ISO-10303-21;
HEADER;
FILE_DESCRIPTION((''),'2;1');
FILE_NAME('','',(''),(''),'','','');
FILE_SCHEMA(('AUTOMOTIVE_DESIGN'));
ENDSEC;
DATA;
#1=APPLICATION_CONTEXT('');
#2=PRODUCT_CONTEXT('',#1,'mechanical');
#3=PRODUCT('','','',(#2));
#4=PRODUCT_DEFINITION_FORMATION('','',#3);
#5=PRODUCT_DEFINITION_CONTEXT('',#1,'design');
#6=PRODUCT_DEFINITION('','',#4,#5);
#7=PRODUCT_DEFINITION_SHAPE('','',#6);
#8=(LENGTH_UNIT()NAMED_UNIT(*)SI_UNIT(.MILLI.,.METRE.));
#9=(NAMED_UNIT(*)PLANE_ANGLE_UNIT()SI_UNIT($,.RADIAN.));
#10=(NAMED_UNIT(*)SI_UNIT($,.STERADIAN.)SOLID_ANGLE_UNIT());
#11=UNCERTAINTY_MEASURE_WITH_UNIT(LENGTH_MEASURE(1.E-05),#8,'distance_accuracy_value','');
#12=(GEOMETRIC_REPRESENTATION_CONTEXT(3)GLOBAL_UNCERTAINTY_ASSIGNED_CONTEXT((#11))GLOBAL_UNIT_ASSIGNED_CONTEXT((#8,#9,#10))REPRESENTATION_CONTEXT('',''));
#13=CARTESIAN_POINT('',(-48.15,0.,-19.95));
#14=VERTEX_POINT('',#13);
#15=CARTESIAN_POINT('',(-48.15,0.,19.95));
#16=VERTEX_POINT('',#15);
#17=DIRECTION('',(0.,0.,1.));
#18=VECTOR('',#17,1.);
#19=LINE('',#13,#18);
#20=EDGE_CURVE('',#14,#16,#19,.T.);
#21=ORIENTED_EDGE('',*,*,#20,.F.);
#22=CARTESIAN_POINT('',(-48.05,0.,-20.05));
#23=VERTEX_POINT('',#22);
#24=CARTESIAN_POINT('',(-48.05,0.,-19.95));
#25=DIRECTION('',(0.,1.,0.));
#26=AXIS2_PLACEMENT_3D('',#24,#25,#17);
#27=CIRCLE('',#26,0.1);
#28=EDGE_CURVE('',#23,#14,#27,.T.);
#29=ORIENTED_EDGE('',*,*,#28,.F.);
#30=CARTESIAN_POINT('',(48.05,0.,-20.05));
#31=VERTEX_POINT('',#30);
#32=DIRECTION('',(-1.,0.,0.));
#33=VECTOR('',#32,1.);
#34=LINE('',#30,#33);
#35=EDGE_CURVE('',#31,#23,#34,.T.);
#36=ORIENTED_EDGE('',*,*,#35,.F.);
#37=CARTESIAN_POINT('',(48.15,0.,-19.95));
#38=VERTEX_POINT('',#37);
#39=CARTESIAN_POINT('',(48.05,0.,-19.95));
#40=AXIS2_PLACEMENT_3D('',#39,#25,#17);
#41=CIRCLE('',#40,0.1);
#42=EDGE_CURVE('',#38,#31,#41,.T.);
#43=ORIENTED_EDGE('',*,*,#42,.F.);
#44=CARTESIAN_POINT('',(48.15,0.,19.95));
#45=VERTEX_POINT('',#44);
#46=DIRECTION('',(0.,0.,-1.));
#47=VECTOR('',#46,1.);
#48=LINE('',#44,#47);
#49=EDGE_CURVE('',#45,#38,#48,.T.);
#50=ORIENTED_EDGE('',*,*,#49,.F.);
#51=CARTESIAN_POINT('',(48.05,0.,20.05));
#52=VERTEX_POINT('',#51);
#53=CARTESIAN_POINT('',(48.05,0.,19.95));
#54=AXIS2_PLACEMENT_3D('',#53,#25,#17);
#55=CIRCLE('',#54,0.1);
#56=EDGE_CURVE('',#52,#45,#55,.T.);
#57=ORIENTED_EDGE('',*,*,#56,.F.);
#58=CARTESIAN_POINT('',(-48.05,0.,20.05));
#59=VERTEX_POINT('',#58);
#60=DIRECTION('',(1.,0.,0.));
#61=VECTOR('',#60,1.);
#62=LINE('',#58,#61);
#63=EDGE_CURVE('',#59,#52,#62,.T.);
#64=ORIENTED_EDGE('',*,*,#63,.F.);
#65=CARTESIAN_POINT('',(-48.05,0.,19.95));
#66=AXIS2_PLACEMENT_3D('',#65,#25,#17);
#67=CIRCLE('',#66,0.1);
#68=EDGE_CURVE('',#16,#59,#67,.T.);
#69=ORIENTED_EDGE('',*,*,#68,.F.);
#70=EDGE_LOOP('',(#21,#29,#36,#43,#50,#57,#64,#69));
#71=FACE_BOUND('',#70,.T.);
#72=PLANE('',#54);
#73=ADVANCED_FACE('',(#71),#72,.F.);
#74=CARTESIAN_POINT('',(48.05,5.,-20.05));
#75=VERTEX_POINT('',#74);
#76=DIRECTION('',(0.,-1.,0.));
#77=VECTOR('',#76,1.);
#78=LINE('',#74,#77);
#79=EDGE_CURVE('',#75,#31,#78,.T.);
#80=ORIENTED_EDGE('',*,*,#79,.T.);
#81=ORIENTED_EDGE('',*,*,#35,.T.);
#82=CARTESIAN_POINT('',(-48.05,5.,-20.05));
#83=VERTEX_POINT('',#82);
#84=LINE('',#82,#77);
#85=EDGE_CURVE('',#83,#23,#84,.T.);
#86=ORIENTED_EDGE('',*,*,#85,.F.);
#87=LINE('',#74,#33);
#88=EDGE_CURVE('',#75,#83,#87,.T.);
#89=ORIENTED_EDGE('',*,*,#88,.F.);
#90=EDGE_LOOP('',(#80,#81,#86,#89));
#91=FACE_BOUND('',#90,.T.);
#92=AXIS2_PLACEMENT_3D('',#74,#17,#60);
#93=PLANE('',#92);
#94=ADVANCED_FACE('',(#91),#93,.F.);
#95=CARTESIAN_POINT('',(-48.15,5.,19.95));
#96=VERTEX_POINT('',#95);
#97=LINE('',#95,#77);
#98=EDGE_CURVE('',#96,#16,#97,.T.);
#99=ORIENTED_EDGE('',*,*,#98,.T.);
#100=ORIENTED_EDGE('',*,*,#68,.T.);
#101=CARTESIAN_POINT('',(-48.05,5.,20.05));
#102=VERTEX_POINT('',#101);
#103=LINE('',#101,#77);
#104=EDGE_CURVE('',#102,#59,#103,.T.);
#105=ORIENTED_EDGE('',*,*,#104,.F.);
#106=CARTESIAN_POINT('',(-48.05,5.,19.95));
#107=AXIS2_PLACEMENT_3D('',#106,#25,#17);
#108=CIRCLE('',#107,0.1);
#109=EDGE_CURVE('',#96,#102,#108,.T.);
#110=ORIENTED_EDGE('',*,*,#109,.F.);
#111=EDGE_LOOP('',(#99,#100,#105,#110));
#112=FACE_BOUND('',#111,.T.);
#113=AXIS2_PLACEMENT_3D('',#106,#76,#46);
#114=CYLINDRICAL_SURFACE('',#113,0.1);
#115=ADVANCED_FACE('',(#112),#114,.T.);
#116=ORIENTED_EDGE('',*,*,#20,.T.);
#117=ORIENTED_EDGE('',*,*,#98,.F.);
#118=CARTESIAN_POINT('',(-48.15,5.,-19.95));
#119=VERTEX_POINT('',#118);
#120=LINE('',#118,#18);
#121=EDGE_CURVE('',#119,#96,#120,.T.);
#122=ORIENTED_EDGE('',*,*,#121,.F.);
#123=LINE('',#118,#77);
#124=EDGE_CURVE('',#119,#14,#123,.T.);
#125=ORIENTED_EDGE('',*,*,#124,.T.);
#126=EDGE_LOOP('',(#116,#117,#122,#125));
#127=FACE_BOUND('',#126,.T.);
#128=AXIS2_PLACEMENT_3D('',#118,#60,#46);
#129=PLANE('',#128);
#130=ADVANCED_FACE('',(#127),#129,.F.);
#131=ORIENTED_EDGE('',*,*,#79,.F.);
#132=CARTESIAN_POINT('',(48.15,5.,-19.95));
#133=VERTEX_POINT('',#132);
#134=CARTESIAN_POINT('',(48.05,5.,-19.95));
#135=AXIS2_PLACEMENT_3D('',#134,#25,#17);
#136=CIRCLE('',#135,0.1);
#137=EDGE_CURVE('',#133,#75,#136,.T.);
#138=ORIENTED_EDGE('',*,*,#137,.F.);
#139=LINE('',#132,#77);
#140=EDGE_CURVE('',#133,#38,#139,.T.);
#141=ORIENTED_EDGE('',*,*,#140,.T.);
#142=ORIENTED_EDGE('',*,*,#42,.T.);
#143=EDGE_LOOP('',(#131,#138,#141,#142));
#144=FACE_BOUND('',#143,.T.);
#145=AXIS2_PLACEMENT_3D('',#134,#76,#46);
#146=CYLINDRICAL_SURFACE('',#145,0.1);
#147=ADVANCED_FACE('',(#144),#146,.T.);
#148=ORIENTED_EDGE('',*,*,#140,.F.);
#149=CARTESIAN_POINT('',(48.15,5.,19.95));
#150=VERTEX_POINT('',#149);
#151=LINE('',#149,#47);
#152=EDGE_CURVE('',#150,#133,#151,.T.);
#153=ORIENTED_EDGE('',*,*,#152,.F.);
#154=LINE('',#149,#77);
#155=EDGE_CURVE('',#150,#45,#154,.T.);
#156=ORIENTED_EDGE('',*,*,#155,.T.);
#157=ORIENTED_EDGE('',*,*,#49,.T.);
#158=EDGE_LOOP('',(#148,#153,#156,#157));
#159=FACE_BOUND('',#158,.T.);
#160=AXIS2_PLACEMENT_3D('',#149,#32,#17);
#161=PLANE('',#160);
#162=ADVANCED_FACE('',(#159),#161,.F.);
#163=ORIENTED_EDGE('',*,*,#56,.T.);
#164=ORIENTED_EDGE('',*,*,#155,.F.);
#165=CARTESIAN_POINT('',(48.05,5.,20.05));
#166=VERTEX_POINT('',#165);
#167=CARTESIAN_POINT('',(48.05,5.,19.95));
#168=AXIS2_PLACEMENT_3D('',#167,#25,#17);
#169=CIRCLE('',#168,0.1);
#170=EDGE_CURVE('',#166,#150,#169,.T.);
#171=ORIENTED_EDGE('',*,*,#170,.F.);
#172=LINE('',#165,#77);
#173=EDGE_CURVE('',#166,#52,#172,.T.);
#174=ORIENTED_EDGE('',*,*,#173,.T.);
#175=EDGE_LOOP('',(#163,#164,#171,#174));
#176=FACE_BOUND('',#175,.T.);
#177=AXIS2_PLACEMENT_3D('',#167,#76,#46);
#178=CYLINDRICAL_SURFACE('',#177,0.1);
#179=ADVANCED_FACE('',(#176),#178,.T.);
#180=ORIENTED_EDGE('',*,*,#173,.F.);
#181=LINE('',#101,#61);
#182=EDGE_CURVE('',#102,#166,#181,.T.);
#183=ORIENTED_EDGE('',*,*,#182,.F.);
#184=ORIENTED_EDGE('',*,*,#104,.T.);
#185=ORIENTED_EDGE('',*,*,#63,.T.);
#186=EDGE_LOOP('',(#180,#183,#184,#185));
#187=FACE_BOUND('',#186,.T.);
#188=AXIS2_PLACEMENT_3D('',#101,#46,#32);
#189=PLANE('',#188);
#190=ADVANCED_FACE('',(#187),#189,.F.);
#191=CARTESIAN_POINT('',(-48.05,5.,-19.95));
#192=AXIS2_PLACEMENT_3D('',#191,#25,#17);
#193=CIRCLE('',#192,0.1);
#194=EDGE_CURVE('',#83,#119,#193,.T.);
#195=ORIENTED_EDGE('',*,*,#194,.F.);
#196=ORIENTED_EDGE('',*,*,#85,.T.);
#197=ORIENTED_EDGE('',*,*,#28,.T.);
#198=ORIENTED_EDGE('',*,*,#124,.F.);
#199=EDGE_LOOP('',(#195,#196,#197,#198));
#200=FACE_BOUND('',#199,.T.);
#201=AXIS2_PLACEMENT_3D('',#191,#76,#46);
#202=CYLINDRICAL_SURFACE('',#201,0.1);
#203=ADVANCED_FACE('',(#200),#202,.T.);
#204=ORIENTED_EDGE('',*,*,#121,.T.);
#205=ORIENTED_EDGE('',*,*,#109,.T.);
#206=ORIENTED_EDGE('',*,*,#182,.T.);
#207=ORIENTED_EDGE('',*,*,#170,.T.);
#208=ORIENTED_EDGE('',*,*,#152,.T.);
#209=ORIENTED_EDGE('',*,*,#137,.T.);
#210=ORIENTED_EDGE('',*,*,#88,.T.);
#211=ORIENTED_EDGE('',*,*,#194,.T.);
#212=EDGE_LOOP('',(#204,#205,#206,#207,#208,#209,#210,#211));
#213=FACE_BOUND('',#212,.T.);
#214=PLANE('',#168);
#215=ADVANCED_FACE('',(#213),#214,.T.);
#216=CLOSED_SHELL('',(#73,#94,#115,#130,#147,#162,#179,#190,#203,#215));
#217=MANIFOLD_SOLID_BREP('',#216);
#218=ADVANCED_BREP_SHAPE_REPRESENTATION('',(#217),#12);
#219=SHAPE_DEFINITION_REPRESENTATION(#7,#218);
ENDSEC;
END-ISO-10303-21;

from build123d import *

# Parameters (mm, degrees)
BOSS_EXTRUDE1_DEPTH = 5


with BuildPart() as part:
    # Sketch1 → Boss-Extrude1 (new body)
    with BuildSketch(Plane(origin=(0, 0, 0), x_dir=(1, 0, 0), z_dir=(0, 1, 0))):
        with BuildLine():
            Line((48.15, -19.95), (48.15, 19.95))
            ThreePointArc((48.15, 19.95), (48.120710678, 20.020710678), (48.05, 20.05))
            Line((48.05, 20.05), (-48.05, 20.05))
            ThreePointArc((-48.05, 20.05), (-48.120710678, 20.020710678), (-48.15, 19.95))
            Line((-48.15, 19.95), (-48.15, -19.95))
            ThreePointArc((-48.15, -19.95), (-48.120710678, -20.020710678), (-48.05, -20.05))
            Line((-48.05, -20.05), (48.05, -20.05))
            ThreePointArc((48.05, -20.05), (48.120710678, -20.020710678), (48.15, -19.95))
        make_face()
    extrude(amount=BOSS_EXTRUDE1_DEPTH)


solid = part.part
